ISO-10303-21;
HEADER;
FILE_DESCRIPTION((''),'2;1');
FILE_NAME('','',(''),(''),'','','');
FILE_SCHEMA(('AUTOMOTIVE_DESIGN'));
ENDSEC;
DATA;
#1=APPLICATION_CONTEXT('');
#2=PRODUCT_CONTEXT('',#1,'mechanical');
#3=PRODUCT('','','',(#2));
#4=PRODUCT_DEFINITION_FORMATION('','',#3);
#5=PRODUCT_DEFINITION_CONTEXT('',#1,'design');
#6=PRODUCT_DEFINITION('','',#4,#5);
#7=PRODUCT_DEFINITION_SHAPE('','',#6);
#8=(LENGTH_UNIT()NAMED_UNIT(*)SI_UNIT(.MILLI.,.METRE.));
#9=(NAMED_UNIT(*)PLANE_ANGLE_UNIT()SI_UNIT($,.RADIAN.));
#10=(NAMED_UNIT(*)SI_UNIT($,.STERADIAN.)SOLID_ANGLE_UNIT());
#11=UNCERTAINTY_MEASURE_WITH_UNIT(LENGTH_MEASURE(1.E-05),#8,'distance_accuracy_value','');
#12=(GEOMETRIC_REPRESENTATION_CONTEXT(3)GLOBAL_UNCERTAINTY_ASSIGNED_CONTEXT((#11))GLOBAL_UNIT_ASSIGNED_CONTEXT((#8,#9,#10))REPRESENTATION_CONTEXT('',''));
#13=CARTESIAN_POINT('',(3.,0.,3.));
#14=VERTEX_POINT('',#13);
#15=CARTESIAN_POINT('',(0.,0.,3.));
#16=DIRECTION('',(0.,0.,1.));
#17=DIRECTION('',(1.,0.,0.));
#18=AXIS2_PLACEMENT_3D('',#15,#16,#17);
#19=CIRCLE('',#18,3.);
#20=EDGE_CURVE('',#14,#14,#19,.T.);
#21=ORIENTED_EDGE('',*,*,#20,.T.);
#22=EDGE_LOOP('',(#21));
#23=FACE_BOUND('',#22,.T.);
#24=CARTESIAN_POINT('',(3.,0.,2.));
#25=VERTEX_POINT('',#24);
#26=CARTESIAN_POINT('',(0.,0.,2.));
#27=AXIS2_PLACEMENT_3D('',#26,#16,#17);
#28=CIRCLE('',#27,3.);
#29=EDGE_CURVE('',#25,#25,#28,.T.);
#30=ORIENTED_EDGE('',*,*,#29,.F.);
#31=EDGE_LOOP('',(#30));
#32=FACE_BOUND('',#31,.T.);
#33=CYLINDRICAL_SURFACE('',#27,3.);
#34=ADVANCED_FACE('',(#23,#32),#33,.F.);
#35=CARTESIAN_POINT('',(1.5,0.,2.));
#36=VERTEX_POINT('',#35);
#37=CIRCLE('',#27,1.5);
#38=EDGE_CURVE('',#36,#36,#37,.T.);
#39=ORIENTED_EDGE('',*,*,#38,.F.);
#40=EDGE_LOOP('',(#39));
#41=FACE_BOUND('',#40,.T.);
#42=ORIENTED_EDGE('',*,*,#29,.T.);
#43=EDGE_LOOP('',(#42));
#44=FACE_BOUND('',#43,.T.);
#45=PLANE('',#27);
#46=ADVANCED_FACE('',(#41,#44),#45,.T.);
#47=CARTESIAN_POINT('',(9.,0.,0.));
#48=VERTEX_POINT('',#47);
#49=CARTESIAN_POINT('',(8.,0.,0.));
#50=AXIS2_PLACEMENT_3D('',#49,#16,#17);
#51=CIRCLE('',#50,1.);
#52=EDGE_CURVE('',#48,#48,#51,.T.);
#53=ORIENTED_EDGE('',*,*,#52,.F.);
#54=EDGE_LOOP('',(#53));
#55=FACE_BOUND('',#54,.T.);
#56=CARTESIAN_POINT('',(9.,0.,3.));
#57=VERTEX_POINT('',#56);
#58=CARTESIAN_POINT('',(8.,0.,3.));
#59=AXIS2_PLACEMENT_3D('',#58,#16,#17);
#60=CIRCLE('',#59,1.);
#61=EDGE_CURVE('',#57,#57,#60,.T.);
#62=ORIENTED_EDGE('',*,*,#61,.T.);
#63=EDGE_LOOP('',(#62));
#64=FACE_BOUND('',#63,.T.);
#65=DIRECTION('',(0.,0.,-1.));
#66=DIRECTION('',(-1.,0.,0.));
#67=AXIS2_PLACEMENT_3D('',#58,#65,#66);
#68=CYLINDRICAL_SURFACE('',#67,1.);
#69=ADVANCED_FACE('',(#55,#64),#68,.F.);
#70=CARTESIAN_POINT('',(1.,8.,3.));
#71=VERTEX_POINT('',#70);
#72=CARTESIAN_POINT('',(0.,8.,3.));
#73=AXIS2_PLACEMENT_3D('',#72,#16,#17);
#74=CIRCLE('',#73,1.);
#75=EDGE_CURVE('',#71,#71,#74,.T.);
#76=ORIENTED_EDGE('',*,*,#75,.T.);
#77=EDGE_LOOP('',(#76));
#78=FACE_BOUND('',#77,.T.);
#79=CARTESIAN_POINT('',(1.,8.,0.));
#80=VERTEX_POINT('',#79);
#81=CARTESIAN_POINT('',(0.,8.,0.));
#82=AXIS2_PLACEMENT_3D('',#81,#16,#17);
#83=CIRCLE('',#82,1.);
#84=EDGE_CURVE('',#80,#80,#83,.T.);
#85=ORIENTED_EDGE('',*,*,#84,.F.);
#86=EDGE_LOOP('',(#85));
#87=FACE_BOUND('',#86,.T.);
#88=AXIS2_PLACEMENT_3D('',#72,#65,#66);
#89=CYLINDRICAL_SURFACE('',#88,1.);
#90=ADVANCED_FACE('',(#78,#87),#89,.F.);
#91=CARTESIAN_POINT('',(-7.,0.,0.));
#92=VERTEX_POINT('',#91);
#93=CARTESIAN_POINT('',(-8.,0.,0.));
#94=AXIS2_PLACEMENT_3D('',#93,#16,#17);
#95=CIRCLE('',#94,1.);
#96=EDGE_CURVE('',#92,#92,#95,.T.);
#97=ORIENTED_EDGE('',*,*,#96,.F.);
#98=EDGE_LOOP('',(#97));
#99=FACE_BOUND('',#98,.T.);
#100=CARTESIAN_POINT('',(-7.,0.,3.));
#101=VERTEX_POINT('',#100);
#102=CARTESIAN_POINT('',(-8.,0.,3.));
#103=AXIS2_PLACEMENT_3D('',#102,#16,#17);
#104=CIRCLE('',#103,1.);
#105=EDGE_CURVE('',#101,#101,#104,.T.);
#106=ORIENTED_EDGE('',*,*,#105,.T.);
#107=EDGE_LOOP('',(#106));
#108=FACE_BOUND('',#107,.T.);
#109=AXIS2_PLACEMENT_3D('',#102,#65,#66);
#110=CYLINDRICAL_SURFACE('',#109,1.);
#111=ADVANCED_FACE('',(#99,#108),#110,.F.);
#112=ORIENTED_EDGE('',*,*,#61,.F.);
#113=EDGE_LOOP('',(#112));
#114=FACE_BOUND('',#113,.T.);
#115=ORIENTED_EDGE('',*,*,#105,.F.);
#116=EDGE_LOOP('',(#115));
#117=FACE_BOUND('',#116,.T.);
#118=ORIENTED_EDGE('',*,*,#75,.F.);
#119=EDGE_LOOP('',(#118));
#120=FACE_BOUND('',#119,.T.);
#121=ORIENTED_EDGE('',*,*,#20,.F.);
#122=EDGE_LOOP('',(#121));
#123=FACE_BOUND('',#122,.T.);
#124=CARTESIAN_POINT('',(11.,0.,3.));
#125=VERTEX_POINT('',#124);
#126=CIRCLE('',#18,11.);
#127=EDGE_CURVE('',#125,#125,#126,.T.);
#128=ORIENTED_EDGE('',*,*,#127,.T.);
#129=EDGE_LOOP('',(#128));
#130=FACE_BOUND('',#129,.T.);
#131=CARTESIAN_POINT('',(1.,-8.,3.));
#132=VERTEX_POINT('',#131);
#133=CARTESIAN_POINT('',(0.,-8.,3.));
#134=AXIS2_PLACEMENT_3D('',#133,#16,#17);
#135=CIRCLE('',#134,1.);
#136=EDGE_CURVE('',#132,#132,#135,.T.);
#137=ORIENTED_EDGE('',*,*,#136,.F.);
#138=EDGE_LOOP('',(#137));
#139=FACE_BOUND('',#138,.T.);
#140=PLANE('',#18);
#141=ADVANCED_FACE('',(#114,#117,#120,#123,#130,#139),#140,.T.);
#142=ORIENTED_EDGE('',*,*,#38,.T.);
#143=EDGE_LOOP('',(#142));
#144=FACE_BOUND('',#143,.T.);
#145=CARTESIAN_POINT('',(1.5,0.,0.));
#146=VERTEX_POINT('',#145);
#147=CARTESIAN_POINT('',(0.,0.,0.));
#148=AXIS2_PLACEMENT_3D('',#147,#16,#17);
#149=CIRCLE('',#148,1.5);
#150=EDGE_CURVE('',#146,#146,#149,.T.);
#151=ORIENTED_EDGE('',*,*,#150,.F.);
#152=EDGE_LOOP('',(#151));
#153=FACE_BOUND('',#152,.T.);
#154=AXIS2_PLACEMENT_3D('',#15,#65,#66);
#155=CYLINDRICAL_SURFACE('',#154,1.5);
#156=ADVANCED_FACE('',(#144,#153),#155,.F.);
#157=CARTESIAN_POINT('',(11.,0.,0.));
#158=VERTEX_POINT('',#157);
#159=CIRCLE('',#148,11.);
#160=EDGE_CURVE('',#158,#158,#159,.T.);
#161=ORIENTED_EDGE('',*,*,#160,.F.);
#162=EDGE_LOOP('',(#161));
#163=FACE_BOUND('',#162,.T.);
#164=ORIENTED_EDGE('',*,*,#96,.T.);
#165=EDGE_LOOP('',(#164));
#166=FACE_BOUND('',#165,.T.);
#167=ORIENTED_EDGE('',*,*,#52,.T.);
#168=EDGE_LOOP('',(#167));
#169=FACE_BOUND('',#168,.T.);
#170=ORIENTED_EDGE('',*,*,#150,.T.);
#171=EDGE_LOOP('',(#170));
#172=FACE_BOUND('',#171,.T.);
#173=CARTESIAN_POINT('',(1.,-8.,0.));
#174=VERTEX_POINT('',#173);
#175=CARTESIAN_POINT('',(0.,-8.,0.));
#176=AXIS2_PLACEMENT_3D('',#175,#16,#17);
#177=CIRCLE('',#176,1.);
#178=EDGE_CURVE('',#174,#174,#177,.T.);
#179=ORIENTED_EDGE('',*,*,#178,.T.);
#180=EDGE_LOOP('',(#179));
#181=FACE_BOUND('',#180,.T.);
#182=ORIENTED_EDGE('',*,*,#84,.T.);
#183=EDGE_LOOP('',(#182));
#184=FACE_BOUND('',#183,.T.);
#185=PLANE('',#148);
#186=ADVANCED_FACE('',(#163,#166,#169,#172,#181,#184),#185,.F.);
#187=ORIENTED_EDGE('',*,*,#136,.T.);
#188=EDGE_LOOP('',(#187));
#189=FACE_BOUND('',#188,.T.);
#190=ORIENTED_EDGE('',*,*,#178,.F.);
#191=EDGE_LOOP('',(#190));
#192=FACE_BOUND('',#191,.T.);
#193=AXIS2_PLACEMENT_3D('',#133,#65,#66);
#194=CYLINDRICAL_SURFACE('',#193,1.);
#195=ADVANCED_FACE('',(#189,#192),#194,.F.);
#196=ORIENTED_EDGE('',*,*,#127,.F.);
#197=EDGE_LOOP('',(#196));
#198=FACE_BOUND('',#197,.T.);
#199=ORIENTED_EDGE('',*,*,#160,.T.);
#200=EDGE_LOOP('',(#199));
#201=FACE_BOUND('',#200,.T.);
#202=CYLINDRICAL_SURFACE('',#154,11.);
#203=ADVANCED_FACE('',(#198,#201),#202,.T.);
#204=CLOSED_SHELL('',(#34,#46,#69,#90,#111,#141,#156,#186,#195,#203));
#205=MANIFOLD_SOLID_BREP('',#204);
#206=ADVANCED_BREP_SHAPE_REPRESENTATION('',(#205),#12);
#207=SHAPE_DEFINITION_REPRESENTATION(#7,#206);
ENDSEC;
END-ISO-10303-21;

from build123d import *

# Parameters (mm, degrees)
SZKIC1_R                    = 11
SZKIC1_R_2                  = 1
SZKIC1_R_3                  = 1.5
DODANIE_WYCI_GNI_CIE1_DEPTH = 3
SZKIC2_R                    = 3
WYTNIJ_WYCI_GNI_CIE1_DEPTH  = 1


with BuildPart() as part:
    # Szkic1 → Dodanie-wyciągnięcie1 (new body)
    with BuildSketch(Plane.XY):
        Circle(SZKIC1_R)
        with Locations((0, 8)):
            Circle(SZKIC1_R_2, mode=Mode.SUBTRACT)
        with Locations((8, 0)):
            Circle(SZKIC1_R_2, mode=Mode.SUBTRACT)
        with Locations((0, -8)):
            Circle(SZKIC1_R_2, mode=Mode.SUBTRACT)
        with Locations((-8, 0)):
            Circle(SZKIC1_R_2, mode=Mode.SUBTRACT)
        Circle(SZKIC1_R_3, mode=Mode.SUBTRACT)
    extrude(amount=DODANIE_WYCI_GNI_CIE1_DEPTH)

    # Szkic2 → Wytnij-wyciągnięcie1 (cut)
    with BuildSketch(Plane.XY.offset(3)):
        Circle(SZKIC2_R)
    extrude(amount=-WYTNIJ_WYCI_GNI_CIE1_DEPTH, mode=Mode.SUBTRACT)


solid = part.part
